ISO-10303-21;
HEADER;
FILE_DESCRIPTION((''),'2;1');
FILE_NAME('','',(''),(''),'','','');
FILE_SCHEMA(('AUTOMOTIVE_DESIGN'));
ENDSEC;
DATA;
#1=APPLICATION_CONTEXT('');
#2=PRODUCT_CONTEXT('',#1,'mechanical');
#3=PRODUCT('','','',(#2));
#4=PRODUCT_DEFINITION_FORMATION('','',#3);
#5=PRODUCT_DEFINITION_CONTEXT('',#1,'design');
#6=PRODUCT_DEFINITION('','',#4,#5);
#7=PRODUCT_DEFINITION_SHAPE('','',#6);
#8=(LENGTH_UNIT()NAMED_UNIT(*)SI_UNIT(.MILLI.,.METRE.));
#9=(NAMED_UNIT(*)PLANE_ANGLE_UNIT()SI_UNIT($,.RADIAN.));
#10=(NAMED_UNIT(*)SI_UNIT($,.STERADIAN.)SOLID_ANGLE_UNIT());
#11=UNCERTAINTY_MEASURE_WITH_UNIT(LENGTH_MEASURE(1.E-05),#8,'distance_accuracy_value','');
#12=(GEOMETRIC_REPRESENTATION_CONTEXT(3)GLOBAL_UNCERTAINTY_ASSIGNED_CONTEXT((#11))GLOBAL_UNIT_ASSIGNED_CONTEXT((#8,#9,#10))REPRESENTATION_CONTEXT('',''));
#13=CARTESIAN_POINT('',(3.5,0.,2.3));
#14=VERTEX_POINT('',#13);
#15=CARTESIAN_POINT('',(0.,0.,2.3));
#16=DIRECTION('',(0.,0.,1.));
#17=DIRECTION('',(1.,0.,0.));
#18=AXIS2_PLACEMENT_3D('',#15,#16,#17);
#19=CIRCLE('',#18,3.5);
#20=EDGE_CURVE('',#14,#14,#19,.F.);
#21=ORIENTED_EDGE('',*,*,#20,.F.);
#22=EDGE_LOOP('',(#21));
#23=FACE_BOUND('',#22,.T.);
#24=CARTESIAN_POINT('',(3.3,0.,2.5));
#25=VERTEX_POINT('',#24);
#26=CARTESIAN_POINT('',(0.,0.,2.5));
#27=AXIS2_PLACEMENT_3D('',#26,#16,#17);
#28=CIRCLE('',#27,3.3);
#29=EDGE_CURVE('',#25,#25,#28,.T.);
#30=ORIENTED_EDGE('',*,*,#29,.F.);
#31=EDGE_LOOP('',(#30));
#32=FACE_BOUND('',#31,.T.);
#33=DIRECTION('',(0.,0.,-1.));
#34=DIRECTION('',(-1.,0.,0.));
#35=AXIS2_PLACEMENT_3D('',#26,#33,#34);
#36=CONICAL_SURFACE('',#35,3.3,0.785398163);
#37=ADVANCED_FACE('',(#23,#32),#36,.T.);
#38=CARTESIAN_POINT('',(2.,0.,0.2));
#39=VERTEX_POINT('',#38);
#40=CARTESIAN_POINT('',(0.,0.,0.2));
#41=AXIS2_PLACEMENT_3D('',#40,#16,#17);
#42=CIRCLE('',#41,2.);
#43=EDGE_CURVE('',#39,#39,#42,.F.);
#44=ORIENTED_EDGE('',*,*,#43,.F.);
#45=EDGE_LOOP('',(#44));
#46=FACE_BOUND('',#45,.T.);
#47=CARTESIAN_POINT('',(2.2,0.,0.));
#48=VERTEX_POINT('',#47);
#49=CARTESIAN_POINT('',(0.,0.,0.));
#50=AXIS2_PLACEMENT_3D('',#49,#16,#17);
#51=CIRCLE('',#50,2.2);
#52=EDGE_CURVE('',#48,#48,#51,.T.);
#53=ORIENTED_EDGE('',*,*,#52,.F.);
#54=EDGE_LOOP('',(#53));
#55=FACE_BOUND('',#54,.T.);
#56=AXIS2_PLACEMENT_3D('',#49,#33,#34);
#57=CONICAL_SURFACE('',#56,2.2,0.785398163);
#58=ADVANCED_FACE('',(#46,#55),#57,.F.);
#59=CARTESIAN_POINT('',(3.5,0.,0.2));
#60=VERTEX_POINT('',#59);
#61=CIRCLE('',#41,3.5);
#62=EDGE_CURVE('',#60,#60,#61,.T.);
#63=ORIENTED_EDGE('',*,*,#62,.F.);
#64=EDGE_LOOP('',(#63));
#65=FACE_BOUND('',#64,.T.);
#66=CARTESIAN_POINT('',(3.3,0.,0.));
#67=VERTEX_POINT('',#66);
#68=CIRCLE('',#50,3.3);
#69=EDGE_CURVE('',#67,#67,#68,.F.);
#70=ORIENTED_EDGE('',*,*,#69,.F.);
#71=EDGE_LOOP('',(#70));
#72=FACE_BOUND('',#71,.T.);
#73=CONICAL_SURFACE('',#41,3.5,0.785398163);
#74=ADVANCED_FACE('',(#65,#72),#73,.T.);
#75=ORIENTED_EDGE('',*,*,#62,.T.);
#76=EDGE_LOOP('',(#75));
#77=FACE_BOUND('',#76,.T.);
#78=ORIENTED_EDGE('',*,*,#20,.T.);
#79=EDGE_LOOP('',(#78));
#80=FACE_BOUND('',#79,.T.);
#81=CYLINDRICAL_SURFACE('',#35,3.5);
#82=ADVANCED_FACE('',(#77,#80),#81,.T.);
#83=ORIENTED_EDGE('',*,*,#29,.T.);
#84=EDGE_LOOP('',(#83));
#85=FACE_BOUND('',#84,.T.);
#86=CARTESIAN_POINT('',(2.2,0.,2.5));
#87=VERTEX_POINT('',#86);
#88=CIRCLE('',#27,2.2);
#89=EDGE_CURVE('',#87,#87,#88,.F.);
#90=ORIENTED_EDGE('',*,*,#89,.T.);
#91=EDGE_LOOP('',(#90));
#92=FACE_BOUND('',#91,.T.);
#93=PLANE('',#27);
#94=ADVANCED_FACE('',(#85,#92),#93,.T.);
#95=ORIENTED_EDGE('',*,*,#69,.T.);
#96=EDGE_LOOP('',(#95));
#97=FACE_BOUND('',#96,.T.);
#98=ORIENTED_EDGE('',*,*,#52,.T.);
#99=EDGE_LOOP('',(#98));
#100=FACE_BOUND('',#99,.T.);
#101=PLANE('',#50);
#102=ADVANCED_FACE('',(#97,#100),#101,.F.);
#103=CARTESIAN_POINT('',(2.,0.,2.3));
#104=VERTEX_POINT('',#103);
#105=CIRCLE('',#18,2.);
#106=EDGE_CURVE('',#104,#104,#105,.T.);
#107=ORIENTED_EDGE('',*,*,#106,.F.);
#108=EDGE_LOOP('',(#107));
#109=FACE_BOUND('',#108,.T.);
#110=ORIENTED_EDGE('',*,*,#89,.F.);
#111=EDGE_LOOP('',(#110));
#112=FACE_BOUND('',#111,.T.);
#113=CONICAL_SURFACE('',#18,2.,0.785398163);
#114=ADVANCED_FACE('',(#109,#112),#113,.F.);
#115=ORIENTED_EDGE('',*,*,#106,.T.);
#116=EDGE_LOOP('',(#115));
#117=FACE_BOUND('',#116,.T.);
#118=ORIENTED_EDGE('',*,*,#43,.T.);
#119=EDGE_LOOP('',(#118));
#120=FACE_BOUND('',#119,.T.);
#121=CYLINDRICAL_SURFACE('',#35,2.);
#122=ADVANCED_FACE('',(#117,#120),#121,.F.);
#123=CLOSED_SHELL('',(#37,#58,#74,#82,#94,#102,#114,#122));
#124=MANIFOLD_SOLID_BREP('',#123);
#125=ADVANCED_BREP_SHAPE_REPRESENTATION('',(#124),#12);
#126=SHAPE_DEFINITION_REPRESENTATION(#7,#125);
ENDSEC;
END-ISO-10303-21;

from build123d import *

# Parameters (mm, degrees)
SKETCH1_R           = 3.5
SKETCH1_R_2         = 2
BOSS_EXTRUDE1_DEPTH = 2.5
CHAMFER1_SIZE       = 0.2


with BuildPart() as part:
    # Sketch1 → Boss-Extrude1 (new body)
    with BuildSketch(Plane.XY):
        Circle(SKETCH1_R)
        Circle(SKETCH1_R_2, mode=Mode.SUBTRACT)
    extrude(amount=BOSS_EXTRUDE1_DEPTH)

    # Chamfer1
    chamfer1_edges = [part.edges().sort_by_distance(p)[0] for p in [
        (-3.5, 0, 0),
        (-3.5, 0, 2.5),
        (-2, 0, 0),
        (-2, 0, 2.5),
    ]]
    chamfer(chamfer1_edges, length=CHAMFER1_SIZE)


solid = part.part
